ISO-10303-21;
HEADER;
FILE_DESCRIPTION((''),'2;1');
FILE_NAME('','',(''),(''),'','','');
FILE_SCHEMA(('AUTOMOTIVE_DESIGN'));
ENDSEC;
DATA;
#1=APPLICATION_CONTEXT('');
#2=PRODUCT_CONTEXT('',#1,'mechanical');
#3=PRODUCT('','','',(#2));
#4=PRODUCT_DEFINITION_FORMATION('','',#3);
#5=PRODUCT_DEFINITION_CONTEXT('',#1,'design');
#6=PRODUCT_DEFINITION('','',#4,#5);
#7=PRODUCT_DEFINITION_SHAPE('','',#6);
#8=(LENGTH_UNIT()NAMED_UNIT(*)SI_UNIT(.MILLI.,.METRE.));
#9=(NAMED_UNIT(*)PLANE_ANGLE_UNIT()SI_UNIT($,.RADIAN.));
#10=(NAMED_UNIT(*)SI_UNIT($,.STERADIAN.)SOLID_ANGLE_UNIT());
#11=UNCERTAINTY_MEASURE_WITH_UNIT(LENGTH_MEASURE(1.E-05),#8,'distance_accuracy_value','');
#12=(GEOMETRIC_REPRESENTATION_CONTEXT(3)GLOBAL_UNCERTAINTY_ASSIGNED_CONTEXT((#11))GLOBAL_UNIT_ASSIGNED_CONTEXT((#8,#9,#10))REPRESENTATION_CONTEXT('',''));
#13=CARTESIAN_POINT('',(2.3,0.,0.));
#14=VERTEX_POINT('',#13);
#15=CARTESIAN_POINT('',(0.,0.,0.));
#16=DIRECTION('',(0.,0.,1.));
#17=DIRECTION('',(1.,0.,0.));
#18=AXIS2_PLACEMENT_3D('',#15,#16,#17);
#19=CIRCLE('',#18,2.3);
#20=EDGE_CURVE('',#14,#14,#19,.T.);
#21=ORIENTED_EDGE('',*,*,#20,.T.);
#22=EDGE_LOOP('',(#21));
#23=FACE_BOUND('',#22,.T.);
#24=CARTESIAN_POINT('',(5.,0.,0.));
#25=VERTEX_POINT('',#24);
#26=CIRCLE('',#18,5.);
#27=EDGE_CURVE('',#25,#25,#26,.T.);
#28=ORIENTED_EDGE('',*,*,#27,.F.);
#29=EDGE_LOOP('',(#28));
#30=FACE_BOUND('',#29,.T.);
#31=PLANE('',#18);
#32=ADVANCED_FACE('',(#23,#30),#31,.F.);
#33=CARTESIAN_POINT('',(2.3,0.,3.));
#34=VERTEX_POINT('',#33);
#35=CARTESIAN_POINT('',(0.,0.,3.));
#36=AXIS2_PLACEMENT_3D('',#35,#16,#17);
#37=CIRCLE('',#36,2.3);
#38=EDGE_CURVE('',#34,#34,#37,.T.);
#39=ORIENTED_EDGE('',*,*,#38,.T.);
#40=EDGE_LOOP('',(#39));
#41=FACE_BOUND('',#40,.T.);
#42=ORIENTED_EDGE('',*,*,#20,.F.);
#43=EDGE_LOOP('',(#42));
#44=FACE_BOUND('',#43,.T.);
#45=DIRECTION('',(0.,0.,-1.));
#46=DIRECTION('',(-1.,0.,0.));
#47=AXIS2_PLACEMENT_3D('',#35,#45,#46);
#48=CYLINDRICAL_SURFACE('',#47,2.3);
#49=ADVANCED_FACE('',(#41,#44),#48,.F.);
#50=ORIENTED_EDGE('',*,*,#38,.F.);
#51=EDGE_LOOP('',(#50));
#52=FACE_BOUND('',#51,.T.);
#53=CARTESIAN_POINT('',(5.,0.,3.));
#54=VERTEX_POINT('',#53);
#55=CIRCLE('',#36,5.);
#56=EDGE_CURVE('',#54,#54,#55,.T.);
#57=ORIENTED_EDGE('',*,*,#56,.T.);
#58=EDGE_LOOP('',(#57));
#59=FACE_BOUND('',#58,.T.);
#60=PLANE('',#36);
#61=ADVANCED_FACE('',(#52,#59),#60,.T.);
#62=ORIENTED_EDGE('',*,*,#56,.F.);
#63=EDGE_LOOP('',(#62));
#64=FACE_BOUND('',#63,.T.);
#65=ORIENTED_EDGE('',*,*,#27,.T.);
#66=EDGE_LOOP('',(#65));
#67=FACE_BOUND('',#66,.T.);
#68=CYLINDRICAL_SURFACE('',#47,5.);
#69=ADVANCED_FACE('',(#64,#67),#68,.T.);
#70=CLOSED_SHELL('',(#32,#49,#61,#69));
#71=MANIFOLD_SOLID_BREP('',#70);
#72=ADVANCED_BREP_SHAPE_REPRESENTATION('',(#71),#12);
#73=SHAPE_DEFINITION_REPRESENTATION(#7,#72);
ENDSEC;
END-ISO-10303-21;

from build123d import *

# Parameters (mm, degrees)
SKETCH1_R           = 5
SKETCH1_R_2         = 2.3
BOSS_EXTRUDE1_DEPTH = 3


with BuildPart() as part:
    # Sketch1 → Boss-Extrude1 (new body)
    with BuildSketch(Plane.XY):
        Circle(SKETCH1_R)
        Circle(SKETCH1_R_2, mode=Mode.SUBTRACT)
    extrude(amount=BOSS_EXTRUDE1_DEPTH)


solid = part.part
